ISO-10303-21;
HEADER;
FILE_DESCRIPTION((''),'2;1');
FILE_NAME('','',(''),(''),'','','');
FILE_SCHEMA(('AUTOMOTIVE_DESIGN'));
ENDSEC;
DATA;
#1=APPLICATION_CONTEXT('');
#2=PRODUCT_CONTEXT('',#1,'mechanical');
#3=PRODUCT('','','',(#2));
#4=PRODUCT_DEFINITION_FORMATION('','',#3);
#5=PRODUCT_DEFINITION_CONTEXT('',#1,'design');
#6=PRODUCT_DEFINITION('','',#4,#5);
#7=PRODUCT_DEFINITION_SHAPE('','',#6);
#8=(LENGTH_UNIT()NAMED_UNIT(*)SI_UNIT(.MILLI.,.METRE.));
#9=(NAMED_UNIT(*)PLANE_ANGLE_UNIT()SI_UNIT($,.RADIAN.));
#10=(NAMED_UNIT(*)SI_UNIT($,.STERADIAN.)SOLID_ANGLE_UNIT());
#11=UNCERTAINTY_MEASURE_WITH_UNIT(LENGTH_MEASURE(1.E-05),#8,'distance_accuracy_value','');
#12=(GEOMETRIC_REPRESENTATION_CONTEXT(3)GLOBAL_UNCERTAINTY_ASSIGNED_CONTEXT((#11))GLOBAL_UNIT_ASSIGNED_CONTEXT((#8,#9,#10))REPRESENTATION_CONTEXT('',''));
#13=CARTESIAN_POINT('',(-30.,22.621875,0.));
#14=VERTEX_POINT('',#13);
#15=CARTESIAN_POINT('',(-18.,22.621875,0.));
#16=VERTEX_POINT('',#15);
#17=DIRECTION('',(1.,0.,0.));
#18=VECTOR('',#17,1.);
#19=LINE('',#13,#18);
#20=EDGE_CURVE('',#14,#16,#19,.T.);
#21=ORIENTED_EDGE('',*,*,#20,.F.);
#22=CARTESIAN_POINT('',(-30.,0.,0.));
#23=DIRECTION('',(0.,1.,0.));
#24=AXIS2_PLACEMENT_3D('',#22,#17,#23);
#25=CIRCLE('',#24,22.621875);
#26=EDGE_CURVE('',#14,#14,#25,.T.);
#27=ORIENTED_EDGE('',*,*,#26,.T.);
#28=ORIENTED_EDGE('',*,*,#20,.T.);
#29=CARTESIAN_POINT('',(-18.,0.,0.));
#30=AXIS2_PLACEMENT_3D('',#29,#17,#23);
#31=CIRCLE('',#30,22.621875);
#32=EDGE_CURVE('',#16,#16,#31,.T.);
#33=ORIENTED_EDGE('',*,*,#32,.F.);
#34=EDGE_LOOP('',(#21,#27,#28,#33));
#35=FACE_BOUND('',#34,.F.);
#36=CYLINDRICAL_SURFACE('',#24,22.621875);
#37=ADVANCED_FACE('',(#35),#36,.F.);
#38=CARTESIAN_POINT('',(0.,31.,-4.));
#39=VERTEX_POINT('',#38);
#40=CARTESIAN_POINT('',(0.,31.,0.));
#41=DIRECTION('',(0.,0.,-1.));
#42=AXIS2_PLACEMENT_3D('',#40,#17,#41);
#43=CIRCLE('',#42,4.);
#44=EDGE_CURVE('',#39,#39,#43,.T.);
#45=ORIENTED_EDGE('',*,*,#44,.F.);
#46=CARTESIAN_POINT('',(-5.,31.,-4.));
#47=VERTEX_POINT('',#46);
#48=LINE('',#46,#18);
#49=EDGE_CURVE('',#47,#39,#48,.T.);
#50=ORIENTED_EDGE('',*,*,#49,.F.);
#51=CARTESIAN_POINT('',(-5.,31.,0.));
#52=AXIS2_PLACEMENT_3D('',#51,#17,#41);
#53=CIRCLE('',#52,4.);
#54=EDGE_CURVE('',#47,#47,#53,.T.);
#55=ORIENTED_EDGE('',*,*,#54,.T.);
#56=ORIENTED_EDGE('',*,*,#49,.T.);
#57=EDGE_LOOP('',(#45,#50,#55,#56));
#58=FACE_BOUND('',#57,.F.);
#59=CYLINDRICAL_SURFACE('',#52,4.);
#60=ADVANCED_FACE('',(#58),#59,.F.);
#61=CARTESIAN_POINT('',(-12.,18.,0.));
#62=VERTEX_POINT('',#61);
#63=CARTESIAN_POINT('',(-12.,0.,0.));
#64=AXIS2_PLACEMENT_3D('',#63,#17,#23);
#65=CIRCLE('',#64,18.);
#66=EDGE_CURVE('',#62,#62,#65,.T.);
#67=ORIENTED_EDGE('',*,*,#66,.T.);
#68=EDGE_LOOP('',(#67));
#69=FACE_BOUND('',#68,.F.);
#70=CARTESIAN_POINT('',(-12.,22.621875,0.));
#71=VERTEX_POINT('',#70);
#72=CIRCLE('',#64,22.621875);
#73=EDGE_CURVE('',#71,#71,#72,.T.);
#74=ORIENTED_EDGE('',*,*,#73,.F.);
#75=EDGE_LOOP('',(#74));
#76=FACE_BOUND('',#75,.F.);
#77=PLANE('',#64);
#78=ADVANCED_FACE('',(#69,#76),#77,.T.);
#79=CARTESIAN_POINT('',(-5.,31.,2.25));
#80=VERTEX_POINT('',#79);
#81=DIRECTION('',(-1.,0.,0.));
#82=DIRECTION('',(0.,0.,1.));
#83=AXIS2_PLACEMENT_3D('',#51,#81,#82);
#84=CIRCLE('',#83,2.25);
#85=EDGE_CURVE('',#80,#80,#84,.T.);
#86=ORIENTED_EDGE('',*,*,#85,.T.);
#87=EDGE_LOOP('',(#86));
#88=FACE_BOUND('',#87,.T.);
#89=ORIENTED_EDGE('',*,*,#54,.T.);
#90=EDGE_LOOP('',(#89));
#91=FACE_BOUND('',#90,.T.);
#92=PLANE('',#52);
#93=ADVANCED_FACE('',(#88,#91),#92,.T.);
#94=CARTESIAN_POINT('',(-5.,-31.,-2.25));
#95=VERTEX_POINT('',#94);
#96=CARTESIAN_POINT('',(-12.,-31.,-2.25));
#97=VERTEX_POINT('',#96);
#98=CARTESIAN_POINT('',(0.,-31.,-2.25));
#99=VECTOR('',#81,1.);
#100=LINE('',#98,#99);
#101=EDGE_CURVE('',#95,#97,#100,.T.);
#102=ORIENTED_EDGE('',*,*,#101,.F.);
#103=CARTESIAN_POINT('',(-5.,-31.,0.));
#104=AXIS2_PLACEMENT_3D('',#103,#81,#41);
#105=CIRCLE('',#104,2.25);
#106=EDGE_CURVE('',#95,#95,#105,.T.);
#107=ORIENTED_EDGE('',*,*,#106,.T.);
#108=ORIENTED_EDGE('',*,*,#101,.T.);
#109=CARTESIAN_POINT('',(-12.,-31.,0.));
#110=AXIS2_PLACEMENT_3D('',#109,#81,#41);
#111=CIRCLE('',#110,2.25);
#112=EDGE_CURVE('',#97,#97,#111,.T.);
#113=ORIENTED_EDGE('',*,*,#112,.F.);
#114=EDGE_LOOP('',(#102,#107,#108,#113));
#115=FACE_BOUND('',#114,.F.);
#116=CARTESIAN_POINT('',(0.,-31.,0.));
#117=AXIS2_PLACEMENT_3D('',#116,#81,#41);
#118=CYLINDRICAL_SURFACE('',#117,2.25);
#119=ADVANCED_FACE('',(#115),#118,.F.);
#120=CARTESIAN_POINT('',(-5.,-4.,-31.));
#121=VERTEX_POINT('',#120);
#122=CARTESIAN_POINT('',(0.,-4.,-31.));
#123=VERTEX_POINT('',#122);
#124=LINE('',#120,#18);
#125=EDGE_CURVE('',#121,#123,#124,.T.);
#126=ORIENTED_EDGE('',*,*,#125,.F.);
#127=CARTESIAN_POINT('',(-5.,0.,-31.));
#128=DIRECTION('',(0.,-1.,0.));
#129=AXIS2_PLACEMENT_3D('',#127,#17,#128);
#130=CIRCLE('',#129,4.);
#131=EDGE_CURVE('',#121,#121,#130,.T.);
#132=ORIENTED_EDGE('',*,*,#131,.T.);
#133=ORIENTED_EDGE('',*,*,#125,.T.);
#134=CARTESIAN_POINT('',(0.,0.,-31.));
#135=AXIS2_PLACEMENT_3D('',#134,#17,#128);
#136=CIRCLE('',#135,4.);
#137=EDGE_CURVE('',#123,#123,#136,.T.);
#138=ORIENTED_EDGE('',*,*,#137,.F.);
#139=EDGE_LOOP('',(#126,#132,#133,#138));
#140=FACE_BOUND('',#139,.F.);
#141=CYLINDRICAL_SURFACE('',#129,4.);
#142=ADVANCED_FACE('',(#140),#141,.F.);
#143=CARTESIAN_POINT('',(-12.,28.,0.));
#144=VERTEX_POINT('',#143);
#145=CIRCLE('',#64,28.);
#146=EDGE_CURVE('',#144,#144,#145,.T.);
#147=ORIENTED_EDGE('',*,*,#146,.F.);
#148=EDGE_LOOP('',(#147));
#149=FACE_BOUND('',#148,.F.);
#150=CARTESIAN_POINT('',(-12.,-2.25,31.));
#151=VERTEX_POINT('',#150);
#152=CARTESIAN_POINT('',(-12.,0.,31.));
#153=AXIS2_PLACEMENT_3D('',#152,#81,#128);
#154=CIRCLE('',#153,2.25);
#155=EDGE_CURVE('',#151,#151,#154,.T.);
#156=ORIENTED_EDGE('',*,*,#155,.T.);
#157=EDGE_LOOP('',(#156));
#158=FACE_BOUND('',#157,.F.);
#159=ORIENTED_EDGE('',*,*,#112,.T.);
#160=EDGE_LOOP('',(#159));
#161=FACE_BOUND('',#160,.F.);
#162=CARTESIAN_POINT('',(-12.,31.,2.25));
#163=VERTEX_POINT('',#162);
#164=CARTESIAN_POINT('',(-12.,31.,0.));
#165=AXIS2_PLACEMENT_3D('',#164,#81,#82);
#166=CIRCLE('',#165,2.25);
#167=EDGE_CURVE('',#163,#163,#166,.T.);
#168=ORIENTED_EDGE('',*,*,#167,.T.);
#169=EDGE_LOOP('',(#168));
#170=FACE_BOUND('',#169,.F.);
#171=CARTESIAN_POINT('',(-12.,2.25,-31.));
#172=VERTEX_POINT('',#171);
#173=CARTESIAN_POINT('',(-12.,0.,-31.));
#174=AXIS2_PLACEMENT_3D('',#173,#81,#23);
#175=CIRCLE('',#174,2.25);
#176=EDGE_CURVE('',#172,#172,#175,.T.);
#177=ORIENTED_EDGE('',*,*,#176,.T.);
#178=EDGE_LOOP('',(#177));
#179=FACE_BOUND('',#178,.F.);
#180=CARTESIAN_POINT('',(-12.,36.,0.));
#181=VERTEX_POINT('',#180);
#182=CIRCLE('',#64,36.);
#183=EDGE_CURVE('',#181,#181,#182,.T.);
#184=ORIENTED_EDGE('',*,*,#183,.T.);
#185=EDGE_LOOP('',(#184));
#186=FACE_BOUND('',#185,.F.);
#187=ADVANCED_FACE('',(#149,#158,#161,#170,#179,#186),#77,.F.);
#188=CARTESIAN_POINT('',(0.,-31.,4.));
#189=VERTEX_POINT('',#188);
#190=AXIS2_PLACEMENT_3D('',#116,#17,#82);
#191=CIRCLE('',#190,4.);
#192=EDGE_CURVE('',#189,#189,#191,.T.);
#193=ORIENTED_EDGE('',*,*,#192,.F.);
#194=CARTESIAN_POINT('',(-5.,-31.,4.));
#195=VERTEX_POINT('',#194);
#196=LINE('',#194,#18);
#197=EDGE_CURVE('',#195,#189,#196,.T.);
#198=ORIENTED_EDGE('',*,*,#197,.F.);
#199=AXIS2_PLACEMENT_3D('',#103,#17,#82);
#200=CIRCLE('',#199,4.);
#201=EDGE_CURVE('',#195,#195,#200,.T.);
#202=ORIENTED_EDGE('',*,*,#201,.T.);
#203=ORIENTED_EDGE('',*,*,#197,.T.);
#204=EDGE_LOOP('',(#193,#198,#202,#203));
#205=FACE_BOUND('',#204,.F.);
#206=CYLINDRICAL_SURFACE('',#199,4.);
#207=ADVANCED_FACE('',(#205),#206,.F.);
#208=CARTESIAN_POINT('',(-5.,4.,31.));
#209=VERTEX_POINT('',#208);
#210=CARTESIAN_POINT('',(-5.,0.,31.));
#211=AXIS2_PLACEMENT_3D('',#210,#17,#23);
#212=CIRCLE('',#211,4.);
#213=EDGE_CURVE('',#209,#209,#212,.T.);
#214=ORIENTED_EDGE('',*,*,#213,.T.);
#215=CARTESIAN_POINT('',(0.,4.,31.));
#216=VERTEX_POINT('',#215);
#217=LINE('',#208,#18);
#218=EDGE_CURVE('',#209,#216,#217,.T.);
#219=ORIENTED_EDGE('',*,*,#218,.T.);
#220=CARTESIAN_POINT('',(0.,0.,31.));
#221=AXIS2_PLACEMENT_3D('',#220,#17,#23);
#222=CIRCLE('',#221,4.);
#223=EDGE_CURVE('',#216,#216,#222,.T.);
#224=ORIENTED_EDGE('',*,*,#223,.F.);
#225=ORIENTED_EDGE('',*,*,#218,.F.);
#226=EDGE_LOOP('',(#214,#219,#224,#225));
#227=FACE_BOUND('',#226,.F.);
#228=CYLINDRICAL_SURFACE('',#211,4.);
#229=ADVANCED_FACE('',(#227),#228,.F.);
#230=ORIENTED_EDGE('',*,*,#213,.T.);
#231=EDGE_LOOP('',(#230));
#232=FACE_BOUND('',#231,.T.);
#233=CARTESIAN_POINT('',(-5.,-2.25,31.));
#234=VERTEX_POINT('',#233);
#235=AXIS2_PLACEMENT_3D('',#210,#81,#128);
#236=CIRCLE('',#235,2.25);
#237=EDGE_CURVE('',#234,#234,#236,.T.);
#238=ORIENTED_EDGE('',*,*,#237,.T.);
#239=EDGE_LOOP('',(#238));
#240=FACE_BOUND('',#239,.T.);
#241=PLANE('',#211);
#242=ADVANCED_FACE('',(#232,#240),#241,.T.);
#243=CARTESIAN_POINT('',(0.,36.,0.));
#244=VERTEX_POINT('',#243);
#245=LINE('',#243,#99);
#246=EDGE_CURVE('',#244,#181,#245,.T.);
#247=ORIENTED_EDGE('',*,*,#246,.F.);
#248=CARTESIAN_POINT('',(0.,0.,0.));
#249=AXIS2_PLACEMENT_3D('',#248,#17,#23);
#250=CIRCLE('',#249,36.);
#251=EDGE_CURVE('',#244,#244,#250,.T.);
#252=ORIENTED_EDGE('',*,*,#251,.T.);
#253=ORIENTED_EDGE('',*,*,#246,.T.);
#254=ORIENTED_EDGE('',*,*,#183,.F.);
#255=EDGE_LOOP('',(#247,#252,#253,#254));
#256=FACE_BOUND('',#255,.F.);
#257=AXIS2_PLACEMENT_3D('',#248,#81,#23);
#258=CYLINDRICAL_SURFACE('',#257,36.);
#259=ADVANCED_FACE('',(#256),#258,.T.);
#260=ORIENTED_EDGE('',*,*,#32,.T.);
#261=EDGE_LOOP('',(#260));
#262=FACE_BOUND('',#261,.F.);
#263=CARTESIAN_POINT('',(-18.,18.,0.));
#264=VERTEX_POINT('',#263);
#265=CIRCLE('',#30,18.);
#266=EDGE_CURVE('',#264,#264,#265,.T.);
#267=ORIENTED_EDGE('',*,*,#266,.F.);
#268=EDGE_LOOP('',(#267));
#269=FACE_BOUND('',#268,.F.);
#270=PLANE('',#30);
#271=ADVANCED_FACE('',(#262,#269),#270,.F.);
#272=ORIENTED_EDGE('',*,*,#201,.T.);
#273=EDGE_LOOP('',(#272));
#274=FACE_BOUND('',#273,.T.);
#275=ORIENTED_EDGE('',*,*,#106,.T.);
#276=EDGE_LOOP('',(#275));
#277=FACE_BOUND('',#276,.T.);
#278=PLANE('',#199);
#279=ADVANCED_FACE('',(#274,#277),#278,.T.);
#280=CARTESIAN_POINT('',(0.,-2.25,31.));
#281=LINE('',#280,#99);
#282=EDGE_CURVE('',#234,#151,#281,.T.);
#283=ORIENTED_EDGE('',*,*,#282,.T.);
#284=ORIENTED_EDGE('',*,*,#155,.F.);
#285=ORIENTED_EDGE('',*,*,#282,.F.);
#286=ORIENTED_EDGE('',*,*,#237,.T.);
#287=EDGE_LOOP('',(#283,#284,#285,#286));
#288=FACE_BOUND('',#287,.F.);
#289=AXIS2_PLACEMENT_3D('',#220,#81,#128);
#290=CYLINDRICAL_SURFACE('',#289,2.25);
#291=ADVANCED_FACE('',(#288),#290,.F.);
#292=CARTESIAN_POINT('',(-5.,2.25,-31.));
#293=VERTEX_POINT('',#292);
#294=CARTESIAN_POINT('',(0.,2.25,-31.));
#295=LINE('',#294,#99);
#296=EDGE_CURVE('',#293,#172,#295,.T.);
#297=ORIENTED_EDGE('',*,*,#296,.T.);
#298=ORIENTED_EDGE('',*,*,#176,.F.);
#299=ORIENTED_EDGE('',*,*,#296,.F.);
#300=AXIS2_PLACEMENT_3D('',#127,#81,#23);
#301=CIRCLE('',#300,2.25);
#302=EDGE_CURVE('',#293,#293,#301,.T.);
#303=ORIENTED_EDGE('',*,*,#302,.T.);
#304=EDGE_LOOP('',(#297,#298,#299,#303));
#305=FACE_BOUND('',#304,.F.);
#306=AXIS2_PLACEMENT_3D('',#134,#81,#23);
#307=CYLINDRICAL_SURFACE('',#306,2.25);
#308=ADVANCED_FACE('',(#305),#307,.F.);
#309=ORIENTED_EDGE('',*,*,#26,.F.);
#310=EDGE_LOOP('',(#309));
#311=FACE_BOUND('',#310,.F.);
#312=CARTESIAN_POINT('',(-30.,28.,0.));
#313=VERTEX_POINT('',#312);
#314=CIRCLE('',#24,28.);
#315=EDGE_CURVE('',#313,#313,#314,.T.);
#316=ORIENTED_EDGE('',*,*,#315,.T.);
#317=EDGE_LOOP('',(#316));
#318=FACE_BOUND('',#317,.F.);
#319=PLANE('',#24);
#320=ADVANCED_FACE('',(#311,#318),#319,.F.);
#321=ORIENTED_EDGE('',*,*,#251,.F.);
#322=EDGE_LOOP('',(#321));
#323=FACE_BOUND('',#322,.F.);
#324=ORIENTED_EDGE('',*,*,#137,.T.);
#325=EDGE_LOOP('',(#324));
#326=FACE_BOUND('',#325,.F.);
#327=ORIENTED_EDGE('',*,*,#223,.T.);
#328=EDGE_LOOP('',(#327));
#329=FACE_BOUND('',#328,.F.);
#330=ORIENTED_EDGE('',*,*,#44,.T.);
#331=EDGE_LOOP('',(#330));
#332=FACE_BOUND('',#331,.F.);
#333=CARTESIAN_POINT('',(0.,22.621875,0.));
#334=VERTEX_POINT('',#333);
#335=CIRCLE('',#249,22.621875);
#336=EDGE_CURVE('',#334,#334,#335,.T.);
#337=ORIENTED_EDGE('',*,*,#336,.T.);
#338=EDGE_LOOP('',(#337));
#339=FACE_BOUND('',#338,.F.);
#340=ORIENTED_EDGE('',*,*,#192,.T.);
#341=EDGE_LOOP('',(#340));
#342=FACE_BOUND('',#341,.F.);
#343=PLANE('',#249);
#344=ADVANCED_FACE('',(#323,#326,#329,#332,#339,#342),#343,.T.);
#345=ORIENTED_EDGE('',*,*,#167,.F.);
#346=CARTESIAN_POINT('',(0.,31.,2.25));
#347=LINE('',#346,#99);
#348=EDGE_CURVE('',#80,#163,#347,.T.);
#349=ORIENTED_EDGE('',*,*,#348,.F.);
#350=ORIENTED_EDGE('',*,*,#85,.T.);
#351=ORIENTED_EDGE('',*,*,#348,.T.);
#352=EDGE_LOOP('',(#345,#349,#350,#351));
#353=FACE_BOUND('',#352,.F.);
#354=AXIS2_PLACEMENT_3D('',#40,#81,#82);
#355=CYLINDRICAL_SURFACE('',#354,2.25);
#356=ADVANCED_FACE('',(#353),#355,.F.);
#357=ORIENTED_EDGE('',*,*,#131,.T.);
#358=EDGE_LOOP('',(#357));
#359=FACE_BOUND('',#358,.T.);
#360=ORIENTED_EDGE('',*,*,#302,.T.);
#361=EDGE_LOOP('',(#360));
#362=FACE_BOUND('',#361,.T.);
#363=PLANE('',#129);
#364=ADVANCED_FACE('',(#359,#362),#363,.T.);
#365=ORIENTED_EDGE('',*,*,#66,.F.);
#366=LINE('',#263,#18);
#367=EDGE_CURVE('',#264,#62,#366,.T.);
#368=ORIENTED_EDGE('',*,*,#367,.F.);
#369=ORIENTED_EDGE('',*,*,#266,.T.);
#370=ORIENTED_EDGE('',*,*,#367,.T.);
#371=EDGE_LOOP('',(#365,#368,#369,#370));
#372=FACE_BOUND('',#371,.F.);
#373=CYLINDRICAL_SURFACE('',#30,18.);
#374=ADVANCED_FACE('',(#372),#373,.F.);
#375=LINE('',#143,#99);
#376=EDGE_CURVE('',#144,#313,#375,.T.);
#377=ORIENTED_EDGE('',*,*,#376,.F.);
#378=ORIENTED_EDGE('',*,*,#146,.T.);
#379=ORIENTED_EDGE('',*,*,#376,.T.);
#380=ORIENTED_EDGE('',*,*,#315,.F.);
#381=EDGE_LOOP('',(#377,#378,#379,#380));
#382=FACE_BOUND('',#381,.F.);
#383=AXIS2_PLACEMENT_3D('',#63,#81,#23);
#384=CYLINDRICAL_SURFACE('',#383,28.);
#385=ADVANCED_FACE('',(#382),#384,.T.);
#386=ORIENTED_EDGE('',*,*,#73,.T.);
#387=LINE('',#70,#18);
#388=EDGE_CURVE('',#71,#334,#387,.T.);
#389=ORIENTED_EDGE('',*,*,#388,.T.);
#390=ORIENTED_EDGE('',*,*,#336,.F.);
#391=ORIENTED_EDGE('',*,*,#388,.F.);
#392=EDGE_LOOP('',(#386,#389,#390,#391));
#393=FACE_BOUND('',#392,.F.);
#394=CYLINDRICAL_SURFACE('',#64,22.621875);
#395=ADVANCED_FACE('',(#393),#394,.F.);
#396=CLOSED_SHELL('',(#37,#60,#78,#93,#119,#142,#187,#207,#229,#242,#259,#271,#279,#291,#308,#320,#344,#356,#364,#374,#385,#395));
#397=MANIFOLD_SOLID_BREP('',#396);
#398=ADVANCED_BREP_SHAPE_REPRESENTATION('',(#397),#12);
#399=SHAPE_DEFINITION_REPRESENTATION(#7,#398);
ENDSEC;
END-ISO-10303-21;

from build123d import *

# Parameters (mm, degrees)
CBORE_FOR_M4_SHCS1_D           = 4.5
CBORE_FOR_M4_SHCS1_CBORE_D     = 8
CBORE_FOR_M4_SHCS1_CBORE_DEPTH = 5
CIRPATTERN1_COUNT              = 4


with BuildPart() as part:
    # Sketch1 → Revolve1 (revolve)
    with BuildSketch(Plane.XY):
        Polygon((-30, 22.621875), (-18, 22.621875), (-18, 18), (-12, 18), (-12, 22.621875), (0, 22.621875), (0, 36), (-12, 36), (-12, 28), (-30, 28), align=None)
    revolve(axis=Axis((-59.7296875, 0, 0), (1, 0, 0)))

    # CBORE for M4 SHCS1 (through all)
    with Locations(Plane(origin=(0, 0, 0), x_dir=(0, 0, -1), z_dir=(1, 0, 0))):
        with Locations((0, 31)):
            cbore_for_m4_shcs1 = CounterBoreHole(CBORE_FOR_M4_SHCS1_D / 2, CBORE_FOR_M4_SHCS1_CBORE_D / 2, CBORE_FOR_M4_SHCS1_CBORE_DEPTH)

    # CirPattern1: CBORE for M4 SHCS1 ×4 about axis
    cirpattern1_axis = Axis((0, 0, 0), (1, 0, 0))
    for i in range(1, CIRPATTERN1_COUNT):
        add(cbore_for_m4_shcs1.rotate(cirpattern1_axis, i * 360 / CIRPATTERN1_COUNT), mode=Mode.SUBTRACT)


solid = part.part
